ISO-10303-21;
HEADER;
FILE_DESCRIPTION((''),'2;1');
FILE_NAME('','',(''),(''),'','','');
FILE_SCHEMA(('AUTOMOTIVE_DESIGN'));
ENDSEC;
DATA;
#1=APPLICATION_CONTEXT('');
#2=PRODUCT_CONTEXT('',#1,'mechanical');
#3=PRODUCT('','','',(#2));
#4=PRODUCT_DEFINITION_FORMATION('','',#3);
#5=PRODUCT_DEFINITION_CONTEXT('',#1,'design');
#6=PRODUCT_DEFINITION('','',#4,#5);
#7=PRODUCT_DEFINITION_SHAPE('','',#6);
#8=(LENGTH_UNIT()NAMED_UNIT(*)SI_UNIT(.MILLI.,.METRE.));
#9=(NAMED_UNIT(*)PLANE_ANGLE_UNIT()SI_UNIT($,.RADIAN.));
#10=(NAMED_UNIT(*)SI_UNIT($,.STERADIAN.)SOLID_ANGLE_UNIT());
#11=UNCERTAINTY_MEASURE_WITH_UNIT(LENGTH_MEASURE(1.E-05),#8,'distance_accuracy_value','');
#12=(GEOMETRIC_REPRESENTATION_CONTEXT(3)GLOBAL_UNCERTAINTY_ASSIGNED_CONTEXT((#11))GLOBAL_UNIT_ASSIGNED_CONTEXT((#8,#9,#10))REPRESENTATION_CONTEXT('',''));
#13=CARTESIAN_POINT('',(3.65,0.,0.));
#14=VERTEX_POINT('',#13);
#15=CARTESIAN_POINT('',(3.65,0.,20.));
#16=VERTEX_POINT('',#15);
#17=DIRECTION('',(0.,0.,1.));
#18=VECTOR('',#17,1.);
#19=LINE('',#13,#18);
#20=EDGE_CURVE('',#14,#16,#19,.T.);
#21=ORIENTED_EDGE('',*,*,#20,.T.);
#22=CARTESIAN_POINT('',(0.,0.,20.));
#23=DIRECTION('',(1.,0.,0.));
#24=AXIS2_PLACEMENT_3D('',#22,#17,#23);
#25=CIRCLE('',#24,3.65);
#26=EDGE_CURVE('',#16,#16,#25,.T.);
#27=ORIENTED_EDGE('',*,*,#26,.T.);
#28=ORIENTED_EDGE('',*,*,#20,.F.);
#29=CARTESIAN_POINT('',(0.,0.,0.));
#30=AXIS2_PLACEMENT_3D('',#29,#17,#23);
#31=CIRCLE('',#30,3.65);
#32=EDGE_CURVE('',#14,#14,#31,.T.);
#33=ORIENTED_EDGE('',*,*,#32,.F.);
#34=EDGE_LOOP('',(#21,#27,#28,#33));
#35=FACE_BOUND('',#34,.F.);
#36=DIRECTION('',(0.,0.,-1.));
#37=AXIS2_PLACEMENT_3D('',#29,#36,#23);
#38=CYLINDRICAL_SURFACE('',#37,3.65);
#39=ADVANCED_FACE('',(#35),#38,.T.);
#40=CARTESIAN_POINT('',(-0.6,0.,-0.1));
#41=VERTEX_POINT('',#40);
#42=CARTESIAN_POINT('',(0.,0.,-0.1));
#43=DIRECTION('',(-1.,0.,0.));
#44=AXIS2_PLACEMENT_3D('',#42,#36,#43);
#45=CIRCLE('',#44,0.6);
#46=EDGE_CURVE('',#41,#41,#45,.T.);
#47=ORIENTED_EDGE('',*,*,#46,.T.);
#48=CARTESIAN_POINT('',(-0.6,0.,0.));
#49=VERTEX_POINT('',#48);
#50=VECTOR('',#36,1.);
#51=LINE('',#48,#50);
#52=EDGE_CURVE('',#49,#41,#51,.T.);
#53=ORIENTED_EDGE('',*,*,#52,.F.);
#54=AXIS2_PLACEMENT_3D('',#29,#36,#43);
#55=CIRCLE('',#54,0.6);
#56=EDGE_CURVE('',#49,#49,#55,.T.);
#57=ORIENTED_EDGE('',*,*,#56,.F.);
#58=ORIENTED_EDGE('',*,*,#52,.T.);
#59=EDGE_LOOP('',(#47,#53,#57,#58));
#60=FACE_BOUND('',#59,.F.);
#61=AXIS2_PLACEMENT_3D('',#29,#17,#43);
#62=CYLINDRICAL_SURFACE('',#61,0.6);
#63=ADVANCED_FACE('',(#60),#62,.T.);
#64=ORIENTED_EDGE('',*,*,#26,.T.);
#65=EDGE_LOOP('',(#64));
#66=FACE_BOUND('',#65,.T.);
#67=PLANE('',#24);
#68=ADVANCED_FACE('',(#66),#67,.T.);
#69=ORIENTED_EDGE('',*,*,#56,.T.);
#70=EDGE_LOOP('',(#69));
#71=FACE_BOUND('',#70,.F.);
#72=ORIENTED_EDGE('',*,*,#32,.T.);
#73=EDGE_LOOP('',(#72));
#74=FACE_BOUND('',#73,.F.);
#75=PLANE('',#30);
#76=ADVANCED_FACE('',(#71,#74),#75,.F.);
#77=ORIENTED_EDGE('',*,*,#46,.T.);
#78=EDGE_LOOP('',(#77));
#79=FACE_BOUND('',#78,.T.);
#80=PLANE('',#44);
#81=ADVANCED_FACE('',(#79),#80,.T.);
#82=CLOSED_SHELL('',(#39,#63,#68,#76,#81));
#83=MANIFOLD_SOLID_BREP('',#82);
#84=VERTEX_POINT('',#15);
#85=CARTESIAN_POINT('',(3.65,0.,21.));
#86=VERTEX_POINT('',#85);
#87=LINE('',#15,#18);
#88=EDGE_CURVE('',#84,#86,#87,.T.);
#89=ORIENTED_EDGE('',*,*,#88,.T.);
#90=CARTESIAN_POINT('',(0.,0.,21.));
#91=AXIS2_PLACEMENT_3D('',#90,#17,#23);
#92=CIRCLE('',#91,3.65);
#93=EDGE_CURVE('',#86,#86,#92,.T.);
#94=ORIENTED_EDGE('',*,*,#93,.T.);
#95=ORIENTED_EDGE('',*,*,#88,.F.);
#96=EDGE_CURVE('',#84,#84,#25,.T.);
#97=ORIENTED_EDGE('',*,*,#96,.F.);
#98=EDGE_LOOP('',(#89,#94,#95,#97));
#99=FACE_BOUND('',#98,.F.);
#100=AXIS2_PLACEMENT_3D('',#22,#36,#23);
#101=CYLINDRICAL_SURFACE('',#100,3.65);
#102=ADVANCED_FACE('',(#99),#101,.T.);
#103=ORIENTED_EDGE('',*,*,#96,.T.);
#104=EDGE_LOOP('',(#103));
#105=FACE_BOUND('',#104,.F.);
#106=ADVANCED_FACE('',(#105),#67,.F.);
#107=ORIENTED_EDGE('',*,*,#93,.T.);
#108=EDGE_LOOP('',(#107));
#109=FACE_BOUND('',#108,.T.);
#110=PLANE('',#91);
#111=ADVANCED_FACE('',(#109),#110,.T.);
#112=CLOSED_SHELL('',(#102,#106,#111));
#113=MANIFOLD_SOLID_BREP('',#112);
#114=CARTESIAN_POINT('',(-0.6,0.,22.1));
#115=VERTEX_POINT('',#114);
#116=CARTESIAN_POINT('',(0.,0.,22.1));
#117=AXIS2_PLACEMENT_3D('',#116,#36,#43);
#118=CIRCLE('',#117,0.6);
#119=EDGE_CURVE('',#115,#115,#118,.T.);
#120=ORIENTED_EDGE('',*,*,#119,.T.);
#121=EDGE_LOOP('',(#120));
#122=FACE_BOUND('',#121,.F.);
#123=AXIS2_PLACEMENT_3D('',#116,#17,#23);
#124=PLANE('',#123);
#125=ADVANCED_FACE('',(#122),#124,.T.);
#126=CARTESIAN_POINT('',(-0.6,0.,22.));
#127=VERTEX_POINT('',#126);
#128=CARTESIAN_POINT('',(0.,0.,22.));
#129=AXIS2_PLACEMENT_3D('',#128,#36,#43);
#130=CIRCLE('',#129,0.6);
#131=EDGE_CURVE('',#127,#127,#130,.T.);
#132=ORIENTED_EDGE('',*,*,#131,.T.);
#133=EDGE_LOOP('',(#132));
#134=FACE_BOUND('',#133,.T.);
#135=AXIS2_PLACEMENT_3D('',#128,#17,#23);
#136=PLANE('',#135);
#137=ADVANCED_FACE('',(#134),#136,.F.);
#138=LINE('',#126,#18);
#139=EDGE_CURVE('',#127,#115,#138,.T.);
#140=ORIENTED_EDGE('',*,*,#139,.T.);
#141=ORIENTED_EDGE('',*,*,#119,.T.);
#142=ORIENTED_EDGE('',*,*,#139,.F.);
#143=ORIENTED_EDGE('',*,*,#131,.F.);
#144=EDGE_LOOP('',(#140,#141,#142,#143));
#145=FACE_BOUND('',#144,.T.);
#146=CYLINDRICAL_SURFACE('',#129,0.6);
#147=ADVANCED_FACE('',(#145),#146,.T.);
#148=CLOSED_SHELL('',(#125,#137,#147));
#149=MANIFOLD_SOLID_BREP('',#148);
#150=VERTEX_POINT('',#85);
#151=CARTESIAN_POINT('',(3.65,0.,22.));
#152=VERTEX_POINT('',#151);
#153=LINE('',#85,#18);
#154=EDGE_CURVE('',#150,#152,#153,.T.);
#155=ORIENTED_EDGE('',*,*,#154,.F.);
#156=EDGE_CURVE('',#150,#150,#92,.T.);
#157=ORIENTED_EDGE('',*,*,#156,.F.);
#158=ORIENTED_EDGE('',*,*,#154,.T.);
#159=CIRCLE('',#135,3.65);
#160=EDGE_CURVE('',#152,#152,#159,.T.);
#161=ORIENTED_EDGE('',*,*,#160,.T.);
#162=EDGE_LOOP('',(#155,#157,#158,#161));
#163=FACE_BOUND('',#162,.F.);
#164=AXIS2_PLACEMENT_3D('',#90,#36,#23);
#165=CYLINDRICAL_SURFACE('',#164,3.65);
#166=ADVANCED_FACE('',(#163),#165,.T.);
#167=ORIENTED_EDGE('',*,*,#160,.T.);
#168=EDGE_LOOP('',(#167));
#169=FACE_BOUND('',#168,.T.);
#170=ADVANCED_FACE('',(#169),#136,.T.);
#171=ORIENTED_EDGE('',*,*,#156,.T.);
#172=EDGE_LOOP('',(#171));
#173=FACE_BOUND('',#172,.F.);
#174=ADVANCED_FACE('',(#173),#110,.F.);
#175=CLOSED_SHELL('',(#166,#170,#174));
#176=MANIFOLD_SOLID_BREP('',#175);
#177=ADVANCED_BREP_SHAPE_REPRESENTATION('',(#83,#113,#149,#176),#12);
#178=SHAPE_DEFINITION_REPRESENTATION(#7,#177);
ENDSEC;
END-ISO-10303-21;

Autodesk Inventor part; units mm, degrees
ref_plane "YZ Plane" through (0, 0, 0) normal (1, 0, 0) x (0, 1, 0)
ref_plane "XZ Plane" through (0, 0, 0) normal (0, 1, 0) x (-1, 0, 0)
ref_plane "XY Plane" through (0, 0, 0) normal (0, 0, 1) x (1, 0, 0)
sketch "Skizze1" plane through (0, 0, 0) normal (0, 0, 1) x (1, 0, 0)
  circle A0 centre (0, 0) radius 3.65
  dimension "d0" = 7.3
extrude "Extrusion1" add sketch "Skizze1" along normal blind 20
sketch "Skizze4" plane through (0, 0, 20) normal (0, 0, 1) x (1, 0, 0)
  circle A0 centre (0, 0) radius 3.65
extrude "Extrusion4" add sketch "Skizze4" along normal blind 1 separate body
sketch "Skizze5" plane through (0, 0, 21) normal (0, 0, 1) x (1, 0, 0)
  circle A0 centre (0, 0) radius 3.65
extrude "Extrusion5" add sketch "Skizze5" along normal blind 1 separate body
sketch "Skizze7" plane through (0, 0, 0) normal (0, 0, -1) x (-1, 0, 0)
  circle A0 centre (0, 0) radius 0.6
  dimension "d16" = 1.2
extrude "Extrusion7" add sketch "Skizze7" along normal blind 0.1 bodies 1
ref_plane "Arbeitsebene1" through (0, 0, 11) normal (0, 0, -1) x (-1, 0, 0)
mirror "Spiegeln1" about plane through (0, 0, 11) normal (0, 0, -1) of "Extrusion7" bodies 1
properties part number "HV diode Diotec BY16"
